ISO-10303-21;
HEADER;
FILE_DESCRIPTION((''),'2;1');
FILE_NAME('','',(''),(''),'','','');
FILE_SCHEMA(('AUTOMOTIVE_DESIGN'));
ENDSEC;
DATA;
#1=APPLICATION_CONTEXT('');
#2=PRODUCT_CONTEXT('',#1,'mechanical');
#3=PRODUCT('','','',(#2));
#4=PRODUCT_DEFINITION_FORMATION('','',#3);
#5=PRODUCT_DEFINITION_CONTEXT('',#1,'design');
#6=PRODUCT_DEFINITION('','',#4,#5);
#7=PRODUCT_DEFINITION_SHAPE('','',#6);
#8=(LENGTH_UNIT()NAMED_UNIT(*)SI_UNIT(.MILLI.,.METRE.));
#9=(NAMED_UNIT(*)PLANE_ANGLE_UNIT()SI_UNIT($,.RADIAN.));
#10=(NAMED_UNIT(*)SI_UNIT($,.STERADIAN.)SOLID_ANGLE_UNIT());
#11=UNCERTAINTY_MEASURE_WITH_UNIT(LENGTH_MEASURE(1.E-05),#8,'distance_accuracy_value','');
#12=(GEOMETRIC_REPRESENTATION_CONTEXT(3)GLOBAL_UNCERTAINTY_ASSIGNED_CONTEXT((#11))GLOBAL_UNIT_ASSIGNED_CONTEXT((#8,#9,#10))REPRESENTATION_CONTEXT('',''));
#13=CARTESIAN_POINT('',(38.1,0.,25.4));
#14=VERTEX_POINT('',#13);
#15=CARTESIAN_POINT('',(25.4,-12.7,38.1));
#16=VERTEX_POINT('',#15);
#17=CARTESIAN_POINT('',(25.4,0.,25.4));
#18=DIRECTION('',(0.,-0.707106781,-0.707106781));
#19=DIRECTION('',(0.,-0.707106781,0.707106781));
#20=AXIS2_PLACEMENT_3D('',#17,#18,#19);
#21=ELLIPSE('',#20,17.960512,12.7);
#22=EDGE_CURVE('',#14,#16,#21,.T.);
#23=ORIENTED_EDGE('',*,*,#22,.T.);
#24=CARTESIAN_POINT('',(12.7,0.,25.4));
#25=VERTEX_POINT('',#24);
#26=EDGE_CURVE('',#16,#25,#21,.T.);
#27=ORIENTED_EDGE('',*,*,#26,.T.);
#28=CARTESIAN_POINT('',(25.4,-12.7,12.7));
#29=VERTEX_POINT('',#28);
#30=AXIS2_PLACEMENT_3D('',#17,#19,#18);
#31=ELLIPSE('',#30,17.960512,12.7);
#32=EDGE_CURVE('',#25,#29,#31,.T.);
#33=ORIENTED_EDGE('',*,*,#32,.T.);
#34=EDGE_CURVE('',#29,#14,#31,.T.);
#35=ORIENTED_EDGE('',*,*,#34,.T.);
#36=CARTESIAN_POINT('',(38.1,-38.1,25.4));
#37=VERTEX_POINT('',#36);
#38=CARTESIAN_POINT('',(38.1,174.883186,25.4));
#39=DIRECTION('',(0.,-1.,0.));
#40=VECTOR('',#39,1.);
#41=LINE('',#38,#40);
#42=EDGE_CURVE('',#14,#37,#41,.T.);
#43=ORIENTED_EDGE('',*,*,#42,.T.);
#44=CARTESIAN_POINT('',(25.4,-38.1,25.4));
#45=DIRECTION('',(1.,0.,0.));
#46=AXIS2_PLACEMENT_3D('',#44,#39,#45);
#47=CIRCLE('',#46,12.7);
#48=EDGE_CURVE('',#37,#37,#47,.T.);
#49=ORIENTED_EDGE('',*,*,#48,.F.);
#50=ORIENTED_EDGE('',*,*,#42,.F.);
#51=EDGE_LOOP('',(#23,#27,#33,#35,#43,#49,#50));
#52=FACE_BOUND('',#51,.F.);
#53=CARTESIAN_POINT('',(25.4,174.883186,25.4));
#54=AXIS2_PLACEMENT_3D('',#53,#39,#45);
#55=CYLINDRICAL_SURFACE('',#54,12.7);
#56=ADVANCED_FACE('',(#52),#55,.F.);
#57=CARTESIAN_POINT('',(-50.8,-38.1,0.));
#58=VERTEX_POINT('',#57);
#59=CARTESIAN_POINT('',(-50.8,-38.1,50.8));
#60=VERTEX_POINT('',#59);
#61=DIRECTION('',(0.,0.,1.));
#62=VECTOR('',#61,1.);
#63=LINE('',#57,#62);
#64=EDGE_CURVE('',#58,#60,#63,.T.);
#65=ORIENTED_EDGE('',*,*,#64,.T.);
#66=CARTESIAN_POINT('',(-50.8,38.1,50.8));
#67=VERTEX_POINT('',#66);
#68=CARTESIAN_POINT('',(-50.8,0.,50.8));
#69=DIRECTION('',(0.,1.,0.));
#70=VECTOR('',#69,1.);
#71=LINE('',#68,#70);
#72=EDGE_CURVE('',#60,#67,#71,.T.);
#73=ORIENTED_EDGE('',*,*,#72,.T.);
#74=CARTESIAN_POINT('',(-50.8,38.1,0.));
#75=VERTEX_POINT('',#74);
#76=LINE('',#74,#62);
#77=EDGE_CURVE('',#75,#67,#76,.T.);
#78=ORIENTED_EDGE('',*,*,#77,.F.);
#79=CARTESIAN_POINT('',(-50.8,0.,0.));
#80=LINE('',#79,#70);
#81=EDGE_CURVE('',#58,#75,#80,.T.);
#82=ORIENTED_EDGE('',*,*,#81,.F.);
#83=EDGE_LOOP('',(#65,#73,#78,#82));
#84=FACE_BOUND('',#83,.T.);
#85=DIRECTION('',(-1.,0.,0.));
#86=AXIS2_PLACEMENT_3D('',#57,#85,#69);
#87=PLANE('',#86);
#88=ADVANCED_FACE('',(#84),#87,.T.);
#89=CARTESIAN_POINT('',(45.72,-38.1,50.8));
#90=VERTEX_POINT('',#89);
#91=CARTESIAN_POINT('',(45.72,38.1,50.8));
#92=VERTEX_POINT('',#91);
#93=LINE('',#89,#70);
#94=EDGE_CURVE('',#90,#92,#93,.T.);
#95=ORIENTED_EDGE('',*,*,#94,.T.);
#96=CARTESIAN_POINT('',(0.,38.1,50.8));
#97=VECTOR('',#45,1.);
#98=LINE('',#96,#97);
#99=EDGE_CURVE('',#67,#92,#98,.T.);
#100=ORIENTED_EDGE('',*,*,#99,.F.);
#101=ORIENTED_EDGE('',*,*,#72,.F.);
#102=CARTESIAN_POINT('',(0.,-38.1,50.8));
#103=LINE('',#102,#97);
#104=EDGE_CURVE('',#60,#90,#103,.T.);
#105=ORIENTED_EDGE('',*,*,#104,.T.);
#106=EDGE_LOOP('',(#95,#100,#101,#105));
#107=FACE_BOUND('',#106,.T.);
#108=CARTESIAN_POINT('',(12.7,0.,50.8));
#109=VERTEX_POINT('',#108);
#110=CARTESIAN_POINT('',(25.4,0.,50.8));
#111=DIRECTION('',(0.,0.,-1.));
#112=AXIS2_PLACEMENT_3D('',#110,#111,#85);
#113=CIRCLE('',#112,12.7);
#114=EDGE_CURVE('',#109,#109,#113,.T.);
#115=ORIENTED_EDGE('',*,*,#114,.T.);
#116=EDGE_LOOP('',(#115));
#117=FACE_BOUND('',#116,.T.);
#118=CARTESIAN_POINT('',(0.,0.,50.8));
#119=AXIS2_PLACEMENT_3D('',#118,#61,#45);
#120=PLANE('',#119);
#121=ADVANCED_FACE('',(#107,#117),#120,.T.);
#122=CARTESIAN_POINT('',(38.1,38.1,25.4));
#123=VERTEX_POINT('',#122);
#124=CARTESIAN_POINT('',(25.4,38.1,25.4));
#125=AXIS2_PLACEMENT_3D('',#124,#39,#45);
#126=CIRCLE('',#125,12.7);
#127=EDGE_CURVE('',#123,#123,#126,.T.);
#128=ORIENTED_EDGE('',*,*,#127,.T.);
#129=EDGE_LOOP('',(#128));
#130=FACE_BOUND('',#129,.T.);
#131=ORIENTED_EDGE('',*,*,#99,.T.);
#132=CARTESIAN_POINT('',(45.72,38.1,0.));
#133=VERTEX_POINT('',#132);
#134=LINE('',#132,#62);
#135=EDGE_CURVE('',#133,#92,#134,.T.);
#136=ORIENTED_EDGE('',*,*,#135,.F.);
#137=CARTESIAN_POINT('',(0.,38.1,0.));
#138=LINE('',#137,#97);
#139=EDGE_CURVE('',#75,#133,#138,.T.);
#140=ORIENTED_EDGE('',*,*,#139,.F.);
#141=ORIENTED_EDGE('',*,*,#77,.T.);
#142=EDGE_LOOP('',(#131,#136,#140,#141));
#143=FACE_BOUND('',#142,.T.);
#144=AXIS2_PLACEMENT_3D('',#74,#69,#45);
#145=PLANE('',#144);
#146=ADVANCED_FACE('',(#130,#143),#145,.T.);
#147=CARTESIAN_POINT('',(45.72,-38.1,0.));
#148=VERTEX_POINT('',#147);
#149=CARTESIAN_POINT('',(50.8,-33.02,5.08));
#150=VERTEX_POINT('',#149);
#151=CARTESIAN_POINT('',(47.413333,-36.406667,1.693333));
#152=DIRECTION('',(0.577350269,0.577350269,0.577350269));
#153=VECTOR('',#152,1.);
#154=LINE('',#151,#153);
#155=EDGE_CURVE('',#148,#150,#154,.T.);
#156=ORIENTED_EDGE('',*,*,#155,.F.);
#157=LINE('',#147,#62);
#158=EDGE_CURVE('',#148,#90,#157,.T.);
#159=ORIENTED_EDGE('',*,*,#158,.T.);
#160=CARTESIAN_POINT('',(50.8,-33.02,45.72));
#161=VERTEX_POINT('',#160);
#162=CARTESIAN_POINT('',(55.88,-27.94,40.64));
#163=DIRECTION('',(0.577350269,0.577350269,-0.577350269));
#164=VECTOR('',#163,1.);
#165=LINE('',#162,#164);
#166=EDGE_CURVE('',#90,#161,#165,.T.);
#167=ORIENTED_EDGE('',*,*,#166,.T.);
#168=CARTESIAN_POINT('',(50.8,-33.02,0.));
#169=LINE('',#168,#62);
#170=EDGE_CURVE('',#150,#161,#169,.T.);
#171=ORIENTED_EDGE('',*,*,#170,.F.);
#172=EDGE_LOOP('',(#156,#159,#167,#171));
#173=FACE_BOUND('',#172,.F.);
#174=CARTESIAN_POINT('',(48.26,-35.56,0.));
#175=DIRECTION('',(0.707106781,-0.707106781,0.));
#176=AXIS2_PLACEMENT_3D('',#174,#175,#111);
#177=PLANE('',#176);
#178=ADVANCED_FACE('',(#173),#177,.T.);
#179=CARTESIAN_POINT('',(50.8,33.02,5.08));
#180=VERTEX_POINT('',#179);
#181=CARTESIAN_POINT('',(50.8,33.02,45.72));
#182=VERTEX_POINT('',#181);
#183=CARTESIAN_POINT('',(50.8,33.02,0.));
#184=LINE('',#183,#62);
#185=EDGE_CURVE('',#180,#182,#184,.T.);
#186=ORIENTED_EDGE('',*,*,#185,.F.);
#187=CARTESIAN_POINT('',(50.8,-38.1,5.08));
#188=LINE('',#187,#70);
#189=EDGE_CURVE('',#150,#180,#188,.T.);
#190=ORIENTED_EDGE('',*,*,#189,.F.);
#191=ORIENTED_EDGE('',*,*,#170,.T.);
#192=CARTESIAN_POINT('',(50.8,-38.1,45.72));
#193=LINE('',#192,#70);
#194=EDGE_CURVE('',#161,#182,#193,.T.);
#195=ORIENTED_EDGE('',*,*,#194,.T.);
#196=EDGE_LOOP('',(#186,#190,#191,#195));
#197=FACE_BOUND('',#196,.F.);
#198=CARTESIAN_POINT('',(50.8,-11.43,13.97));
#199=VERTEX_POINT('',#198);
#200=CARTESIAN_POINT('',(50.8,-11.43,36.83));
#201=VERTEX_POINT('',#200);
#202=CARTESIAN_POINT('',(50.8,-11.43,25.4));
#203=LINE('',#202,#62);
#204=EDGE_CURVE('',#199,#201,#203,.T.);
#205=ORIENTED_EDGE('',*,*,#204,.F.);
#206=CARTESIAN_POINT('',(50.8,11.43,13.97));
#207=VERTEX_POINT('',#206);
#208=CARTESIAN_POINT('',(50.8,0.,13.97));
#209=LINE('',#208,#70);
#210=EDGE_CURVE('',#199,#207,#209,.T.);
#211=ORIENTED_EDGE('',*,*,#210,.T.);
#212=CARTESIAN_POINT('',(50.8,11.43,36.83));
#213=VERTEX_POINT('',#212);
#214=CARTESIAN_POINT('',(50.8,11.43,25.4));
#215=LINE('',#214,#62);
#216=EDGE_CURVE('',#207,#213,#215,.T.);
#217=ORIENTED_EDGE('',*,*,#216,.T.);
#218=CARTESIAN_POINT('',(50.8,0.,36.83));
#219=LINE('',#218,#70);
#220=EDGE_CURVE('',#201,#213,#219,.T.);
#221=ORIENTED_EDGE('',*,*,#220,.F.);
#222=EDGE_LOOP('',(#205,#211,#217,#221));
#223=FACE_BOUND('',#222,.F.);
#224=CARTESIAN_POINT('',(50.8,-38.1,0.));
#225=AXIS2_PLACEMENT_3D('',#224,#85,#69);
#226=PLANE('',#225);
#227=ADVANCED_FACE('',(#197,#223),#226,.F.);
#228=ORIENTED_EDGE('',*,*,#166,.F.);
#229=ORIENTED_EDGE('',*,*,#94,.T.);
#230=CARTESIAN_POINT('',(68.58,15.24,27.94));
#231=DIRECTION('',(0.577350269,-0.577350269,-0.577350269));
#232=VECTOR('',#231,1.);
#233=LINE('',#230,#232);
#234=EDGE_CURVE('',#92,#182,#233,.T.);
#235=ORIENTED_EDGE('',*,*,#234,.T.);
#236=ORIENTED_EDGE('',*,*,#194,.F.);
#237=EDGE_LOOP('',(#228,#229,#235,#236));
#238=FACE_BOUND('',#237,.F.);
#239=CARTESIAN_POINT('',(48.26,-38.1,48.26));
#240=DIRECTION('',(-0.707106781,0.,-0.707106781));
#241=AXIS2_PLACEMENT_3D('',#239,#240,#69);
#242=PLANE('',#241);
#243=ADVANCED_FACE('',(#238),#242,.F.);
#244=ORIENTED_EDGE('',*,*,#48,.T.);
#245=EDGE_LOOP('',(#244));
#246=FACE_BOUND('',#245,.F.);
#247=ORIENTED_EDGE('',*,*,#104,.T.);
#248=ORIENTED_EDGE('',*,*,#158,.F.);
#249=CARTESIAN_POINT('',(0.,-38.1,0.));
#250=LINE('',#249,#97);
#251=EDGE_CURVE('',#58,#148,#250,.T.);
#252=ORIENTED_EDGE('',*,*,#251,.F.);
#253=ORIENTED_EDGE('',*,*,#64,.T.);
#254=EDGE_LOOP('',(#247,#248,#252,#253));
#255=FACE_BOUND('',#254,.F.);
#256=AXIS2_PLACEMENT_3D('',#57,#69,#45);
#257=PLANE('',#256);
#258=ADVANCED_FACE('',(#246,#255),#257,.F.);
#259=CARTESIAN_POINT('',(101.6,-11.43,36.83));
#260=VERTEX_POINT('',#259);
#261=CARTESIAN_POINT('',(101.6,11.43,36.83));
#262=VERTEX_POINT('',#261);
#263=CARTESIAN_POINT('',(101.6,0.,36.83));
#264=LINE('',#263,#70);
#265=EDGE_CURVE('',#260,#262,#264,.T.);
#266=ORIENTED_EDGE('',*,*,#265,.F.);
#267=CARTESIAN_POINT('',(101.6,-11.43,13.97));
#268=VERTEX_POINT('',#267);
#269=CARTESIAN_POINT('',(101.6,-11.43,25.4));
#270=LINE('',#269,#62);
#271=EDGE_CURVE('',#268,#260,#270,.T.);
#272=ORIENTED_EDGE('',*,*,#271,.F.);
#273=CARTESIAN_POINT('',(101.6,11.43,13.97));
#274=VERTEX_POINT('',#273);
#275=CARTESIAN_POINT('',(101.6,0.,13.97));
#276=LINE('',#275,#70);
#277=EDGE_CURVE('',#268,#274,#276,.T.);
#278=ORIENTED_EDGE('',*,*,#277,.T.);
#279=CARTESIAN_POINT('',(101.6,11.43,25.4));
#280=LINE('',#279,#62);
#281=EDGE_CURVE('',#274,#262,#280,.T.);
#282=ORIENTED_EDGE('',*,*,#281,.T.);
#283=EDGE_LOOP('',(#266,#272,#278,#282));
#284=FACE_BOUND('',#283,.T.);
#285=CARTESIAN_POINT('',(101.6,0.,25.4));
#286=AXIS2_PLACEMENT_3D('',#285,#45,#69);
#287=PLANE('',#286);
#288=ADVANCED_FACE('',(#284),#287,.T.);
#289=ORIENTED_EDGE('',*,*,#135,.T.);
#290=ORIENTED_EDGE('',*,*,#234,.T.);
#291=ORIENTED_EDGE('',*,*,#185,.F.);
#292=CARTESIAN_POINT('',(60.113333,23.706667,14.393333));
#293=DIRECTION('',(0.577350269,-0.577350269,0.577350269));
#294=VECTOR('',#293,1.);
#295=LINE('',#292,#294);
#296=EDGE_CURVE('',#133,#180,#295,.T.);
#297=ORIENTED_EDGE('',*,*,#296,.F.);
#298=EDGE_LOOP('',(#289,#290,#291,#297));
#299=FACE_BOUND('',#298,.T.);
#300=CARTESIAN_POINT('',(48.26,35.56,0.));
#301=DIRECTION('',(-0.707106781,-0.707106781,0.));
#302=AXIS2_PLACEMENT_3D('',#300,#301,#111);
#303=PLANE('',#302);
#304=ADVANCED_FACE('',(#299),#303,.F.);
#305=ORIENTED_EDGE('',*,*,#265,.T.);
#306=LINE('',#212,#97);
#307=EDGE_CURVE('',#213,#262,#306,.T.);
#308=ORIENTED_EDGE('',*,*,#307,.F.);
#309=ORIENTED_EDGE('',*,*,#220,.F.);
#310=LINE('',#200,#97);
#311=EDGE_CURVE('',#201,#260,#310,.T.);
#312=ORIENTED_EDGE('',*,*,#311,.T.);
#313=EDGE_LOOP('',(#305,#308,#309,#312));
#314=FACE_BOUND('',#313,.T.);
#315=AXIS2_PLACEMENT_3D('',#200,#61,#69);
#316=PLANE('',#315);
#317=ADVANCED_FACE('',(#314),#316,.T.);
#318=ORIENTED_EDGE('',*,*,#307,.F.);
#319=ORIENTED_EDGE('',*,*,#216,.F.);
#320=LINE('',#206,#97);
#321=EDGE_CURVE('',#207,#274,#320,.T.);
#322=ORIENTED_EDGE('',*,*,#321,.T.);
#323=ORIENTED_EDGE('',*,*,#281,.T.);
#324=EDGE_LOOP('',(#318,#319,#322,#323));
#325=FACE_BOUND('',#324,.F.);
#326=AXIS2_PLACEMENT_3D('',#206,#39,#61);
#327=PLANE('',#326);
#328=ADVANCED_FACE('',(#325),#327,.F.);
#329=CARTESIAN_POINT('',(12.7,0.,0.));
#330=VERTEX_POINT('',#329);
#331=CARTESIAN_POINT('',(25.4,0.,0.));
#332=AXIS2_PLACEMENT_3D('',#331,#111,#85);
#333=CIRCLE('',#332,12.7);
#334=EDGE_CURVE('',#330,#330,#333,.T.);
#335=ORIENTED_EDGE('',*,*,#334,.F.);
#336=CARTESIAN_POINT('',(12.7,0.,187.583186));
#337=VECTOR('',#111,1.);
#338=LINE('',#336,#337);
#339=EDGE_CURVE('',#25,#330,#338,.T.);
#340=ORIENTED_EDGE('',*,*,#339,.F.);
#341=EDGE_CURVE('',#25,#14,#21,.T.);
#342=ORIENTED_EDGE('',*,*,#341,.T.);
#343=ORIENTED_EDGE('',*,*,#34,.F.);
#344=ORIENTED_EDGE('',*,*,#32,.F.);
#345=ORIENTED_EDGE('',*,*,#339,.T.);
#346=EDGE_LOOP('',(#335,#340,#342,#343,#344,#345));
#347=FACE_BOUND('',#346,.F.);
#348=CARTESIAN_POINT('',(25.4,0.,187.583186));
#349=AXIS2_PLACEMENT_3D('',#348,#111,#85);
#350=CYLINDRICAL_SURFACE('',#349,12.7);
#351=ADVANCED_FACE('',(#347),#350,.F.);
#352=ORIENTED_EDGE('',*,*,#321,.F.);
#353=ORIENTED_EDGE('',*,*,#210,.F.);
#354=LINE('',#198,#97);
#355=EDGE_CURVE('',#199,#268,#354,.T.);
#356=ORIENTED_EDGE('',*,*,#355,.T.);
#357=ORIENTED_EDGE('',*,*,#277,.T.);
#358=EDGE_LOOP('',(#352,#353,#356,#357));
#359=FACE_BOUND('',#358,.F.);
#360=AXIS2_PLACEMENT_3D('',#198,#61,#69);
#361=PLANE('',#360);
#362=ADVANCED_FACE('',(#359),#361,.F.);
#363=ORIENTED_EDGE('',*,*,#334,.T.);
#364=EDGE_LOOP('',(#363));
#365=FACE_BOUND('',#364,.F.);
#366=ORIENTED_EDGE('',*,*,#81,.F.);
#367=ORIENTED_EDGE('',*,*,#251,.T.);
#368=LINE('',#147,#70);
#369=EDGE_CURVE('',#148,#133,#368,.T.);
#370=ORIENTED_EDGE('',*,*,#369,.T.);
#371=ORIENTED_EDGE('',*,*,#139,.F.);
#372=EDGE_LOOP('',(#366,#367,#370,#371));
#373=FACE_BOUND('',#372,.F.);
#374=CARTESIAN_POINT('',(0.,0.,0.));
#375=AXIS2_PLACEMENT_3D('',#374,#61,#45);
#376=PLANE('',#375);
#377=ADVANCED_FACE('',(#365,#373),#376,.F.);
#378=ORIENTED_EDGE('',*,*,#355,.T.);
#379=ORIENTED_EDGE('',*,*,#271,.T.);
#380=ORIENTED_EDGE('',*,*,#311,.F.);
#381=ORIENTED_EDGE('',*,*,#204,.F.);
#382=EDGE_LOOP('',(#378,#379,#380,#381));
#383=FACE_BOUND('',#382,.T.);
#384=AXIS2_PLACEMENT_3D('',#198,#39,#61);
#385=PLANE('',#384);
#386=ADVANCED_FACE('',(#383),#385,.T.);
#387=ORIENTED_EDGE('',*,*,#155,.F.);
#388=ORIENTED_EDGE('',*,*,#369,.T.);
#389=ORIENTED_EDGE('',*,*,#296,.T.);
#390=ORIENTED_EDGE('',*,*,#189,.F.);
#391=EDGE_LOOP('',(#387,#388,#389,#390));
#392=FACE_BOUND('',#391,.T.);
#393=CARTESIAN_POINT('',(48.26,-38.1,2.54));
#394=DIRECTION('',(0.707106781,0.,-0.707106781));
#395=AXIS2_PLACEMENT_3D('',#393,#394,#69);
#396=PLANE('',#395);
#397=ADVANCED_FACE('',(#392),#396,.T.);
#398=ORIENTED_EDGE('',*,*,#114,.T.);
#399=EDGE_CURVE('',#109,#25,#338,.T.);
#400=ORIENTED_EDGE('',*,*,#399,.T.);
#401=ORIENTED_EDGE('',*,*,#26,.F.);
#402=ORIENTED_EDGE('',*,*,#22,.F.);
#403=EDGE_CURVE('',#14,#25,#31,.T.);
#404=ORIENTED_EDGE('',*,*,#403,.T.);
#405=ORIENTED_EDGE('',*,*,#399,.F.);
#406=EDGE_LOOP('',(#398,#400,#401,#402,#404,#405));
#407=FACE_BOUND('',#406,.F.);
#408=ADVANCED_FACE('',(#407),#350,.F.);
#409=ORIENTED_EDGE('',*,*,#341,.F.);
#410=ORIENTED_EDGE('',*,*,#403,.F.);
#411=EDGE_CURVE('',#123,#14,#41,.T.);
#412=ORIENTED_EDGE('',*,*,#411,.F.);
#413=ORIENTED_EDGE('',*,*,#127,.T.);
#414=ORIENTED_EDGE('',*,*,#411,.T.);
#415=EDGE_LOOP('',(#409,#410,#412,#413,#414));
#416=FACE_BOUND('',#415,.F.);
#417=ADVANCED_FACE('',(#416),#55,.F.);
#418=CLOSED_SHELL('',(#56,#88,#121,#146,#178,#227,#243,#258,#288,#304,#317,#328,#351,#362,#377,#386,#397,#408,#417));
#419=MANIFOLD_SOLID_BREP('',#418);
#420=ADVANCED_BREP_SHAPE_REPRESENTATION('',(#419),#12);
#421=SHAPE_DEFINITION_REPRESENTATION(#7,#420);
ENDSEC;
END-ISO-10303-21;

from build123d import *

# Parameters (mm, degrees)
F0_W     = 101.6
F0_H     = 76.2
F1_DEPTH = 50.8
F4_D     = 25.4
F5_D     = 25.4
F6_W     = 22.86
F6_H     = 22.86
F7_DEPTH = 50.8
F8_SIZE  = 5.08


with BuildPart() as f1:
    # F0 (on Top) → F1 (new body)
    with BuildSketch(Plane.XY):
        Rectangle(F0_W, F0_H)
    extrude(amount=F1_DEPTH)

    # F4 (through all)
    with Locations(Plane(origin=(0, 38.1, 0), x_dir=(-1, 0, 0), z_dir=(0, 1, 0))):
        with Locations((-25.4, 25.4)):
            Hole(F4_D / 2)

    # F5 (through all)
    with Locations(Plane.XY.offset(50.8)):
        with Locations((25.4, 0)):
            Hole(F5_D / 2)

    # F6 (on face) → F7 (join)
    with BuildSketch(Plane.YZ.offset(50.8)):
        with Locations((0, 25.4)):
            Rectangle(F6_W, F6_H)
    extrude(amount=F7_DEPTH)

    # F8
    f8_edges = [f1.edges().sort_by_distance(p)[0] for p in [
        (50.8, 0, 50.8),
        (50.8, -38.1, 25.4),
        (50.8, 0, 0),
        (50.8, 38.1, 25.4),
    ]]
    chamfer(f8_edges, length=F8_SIZE)


solid = f1.part
